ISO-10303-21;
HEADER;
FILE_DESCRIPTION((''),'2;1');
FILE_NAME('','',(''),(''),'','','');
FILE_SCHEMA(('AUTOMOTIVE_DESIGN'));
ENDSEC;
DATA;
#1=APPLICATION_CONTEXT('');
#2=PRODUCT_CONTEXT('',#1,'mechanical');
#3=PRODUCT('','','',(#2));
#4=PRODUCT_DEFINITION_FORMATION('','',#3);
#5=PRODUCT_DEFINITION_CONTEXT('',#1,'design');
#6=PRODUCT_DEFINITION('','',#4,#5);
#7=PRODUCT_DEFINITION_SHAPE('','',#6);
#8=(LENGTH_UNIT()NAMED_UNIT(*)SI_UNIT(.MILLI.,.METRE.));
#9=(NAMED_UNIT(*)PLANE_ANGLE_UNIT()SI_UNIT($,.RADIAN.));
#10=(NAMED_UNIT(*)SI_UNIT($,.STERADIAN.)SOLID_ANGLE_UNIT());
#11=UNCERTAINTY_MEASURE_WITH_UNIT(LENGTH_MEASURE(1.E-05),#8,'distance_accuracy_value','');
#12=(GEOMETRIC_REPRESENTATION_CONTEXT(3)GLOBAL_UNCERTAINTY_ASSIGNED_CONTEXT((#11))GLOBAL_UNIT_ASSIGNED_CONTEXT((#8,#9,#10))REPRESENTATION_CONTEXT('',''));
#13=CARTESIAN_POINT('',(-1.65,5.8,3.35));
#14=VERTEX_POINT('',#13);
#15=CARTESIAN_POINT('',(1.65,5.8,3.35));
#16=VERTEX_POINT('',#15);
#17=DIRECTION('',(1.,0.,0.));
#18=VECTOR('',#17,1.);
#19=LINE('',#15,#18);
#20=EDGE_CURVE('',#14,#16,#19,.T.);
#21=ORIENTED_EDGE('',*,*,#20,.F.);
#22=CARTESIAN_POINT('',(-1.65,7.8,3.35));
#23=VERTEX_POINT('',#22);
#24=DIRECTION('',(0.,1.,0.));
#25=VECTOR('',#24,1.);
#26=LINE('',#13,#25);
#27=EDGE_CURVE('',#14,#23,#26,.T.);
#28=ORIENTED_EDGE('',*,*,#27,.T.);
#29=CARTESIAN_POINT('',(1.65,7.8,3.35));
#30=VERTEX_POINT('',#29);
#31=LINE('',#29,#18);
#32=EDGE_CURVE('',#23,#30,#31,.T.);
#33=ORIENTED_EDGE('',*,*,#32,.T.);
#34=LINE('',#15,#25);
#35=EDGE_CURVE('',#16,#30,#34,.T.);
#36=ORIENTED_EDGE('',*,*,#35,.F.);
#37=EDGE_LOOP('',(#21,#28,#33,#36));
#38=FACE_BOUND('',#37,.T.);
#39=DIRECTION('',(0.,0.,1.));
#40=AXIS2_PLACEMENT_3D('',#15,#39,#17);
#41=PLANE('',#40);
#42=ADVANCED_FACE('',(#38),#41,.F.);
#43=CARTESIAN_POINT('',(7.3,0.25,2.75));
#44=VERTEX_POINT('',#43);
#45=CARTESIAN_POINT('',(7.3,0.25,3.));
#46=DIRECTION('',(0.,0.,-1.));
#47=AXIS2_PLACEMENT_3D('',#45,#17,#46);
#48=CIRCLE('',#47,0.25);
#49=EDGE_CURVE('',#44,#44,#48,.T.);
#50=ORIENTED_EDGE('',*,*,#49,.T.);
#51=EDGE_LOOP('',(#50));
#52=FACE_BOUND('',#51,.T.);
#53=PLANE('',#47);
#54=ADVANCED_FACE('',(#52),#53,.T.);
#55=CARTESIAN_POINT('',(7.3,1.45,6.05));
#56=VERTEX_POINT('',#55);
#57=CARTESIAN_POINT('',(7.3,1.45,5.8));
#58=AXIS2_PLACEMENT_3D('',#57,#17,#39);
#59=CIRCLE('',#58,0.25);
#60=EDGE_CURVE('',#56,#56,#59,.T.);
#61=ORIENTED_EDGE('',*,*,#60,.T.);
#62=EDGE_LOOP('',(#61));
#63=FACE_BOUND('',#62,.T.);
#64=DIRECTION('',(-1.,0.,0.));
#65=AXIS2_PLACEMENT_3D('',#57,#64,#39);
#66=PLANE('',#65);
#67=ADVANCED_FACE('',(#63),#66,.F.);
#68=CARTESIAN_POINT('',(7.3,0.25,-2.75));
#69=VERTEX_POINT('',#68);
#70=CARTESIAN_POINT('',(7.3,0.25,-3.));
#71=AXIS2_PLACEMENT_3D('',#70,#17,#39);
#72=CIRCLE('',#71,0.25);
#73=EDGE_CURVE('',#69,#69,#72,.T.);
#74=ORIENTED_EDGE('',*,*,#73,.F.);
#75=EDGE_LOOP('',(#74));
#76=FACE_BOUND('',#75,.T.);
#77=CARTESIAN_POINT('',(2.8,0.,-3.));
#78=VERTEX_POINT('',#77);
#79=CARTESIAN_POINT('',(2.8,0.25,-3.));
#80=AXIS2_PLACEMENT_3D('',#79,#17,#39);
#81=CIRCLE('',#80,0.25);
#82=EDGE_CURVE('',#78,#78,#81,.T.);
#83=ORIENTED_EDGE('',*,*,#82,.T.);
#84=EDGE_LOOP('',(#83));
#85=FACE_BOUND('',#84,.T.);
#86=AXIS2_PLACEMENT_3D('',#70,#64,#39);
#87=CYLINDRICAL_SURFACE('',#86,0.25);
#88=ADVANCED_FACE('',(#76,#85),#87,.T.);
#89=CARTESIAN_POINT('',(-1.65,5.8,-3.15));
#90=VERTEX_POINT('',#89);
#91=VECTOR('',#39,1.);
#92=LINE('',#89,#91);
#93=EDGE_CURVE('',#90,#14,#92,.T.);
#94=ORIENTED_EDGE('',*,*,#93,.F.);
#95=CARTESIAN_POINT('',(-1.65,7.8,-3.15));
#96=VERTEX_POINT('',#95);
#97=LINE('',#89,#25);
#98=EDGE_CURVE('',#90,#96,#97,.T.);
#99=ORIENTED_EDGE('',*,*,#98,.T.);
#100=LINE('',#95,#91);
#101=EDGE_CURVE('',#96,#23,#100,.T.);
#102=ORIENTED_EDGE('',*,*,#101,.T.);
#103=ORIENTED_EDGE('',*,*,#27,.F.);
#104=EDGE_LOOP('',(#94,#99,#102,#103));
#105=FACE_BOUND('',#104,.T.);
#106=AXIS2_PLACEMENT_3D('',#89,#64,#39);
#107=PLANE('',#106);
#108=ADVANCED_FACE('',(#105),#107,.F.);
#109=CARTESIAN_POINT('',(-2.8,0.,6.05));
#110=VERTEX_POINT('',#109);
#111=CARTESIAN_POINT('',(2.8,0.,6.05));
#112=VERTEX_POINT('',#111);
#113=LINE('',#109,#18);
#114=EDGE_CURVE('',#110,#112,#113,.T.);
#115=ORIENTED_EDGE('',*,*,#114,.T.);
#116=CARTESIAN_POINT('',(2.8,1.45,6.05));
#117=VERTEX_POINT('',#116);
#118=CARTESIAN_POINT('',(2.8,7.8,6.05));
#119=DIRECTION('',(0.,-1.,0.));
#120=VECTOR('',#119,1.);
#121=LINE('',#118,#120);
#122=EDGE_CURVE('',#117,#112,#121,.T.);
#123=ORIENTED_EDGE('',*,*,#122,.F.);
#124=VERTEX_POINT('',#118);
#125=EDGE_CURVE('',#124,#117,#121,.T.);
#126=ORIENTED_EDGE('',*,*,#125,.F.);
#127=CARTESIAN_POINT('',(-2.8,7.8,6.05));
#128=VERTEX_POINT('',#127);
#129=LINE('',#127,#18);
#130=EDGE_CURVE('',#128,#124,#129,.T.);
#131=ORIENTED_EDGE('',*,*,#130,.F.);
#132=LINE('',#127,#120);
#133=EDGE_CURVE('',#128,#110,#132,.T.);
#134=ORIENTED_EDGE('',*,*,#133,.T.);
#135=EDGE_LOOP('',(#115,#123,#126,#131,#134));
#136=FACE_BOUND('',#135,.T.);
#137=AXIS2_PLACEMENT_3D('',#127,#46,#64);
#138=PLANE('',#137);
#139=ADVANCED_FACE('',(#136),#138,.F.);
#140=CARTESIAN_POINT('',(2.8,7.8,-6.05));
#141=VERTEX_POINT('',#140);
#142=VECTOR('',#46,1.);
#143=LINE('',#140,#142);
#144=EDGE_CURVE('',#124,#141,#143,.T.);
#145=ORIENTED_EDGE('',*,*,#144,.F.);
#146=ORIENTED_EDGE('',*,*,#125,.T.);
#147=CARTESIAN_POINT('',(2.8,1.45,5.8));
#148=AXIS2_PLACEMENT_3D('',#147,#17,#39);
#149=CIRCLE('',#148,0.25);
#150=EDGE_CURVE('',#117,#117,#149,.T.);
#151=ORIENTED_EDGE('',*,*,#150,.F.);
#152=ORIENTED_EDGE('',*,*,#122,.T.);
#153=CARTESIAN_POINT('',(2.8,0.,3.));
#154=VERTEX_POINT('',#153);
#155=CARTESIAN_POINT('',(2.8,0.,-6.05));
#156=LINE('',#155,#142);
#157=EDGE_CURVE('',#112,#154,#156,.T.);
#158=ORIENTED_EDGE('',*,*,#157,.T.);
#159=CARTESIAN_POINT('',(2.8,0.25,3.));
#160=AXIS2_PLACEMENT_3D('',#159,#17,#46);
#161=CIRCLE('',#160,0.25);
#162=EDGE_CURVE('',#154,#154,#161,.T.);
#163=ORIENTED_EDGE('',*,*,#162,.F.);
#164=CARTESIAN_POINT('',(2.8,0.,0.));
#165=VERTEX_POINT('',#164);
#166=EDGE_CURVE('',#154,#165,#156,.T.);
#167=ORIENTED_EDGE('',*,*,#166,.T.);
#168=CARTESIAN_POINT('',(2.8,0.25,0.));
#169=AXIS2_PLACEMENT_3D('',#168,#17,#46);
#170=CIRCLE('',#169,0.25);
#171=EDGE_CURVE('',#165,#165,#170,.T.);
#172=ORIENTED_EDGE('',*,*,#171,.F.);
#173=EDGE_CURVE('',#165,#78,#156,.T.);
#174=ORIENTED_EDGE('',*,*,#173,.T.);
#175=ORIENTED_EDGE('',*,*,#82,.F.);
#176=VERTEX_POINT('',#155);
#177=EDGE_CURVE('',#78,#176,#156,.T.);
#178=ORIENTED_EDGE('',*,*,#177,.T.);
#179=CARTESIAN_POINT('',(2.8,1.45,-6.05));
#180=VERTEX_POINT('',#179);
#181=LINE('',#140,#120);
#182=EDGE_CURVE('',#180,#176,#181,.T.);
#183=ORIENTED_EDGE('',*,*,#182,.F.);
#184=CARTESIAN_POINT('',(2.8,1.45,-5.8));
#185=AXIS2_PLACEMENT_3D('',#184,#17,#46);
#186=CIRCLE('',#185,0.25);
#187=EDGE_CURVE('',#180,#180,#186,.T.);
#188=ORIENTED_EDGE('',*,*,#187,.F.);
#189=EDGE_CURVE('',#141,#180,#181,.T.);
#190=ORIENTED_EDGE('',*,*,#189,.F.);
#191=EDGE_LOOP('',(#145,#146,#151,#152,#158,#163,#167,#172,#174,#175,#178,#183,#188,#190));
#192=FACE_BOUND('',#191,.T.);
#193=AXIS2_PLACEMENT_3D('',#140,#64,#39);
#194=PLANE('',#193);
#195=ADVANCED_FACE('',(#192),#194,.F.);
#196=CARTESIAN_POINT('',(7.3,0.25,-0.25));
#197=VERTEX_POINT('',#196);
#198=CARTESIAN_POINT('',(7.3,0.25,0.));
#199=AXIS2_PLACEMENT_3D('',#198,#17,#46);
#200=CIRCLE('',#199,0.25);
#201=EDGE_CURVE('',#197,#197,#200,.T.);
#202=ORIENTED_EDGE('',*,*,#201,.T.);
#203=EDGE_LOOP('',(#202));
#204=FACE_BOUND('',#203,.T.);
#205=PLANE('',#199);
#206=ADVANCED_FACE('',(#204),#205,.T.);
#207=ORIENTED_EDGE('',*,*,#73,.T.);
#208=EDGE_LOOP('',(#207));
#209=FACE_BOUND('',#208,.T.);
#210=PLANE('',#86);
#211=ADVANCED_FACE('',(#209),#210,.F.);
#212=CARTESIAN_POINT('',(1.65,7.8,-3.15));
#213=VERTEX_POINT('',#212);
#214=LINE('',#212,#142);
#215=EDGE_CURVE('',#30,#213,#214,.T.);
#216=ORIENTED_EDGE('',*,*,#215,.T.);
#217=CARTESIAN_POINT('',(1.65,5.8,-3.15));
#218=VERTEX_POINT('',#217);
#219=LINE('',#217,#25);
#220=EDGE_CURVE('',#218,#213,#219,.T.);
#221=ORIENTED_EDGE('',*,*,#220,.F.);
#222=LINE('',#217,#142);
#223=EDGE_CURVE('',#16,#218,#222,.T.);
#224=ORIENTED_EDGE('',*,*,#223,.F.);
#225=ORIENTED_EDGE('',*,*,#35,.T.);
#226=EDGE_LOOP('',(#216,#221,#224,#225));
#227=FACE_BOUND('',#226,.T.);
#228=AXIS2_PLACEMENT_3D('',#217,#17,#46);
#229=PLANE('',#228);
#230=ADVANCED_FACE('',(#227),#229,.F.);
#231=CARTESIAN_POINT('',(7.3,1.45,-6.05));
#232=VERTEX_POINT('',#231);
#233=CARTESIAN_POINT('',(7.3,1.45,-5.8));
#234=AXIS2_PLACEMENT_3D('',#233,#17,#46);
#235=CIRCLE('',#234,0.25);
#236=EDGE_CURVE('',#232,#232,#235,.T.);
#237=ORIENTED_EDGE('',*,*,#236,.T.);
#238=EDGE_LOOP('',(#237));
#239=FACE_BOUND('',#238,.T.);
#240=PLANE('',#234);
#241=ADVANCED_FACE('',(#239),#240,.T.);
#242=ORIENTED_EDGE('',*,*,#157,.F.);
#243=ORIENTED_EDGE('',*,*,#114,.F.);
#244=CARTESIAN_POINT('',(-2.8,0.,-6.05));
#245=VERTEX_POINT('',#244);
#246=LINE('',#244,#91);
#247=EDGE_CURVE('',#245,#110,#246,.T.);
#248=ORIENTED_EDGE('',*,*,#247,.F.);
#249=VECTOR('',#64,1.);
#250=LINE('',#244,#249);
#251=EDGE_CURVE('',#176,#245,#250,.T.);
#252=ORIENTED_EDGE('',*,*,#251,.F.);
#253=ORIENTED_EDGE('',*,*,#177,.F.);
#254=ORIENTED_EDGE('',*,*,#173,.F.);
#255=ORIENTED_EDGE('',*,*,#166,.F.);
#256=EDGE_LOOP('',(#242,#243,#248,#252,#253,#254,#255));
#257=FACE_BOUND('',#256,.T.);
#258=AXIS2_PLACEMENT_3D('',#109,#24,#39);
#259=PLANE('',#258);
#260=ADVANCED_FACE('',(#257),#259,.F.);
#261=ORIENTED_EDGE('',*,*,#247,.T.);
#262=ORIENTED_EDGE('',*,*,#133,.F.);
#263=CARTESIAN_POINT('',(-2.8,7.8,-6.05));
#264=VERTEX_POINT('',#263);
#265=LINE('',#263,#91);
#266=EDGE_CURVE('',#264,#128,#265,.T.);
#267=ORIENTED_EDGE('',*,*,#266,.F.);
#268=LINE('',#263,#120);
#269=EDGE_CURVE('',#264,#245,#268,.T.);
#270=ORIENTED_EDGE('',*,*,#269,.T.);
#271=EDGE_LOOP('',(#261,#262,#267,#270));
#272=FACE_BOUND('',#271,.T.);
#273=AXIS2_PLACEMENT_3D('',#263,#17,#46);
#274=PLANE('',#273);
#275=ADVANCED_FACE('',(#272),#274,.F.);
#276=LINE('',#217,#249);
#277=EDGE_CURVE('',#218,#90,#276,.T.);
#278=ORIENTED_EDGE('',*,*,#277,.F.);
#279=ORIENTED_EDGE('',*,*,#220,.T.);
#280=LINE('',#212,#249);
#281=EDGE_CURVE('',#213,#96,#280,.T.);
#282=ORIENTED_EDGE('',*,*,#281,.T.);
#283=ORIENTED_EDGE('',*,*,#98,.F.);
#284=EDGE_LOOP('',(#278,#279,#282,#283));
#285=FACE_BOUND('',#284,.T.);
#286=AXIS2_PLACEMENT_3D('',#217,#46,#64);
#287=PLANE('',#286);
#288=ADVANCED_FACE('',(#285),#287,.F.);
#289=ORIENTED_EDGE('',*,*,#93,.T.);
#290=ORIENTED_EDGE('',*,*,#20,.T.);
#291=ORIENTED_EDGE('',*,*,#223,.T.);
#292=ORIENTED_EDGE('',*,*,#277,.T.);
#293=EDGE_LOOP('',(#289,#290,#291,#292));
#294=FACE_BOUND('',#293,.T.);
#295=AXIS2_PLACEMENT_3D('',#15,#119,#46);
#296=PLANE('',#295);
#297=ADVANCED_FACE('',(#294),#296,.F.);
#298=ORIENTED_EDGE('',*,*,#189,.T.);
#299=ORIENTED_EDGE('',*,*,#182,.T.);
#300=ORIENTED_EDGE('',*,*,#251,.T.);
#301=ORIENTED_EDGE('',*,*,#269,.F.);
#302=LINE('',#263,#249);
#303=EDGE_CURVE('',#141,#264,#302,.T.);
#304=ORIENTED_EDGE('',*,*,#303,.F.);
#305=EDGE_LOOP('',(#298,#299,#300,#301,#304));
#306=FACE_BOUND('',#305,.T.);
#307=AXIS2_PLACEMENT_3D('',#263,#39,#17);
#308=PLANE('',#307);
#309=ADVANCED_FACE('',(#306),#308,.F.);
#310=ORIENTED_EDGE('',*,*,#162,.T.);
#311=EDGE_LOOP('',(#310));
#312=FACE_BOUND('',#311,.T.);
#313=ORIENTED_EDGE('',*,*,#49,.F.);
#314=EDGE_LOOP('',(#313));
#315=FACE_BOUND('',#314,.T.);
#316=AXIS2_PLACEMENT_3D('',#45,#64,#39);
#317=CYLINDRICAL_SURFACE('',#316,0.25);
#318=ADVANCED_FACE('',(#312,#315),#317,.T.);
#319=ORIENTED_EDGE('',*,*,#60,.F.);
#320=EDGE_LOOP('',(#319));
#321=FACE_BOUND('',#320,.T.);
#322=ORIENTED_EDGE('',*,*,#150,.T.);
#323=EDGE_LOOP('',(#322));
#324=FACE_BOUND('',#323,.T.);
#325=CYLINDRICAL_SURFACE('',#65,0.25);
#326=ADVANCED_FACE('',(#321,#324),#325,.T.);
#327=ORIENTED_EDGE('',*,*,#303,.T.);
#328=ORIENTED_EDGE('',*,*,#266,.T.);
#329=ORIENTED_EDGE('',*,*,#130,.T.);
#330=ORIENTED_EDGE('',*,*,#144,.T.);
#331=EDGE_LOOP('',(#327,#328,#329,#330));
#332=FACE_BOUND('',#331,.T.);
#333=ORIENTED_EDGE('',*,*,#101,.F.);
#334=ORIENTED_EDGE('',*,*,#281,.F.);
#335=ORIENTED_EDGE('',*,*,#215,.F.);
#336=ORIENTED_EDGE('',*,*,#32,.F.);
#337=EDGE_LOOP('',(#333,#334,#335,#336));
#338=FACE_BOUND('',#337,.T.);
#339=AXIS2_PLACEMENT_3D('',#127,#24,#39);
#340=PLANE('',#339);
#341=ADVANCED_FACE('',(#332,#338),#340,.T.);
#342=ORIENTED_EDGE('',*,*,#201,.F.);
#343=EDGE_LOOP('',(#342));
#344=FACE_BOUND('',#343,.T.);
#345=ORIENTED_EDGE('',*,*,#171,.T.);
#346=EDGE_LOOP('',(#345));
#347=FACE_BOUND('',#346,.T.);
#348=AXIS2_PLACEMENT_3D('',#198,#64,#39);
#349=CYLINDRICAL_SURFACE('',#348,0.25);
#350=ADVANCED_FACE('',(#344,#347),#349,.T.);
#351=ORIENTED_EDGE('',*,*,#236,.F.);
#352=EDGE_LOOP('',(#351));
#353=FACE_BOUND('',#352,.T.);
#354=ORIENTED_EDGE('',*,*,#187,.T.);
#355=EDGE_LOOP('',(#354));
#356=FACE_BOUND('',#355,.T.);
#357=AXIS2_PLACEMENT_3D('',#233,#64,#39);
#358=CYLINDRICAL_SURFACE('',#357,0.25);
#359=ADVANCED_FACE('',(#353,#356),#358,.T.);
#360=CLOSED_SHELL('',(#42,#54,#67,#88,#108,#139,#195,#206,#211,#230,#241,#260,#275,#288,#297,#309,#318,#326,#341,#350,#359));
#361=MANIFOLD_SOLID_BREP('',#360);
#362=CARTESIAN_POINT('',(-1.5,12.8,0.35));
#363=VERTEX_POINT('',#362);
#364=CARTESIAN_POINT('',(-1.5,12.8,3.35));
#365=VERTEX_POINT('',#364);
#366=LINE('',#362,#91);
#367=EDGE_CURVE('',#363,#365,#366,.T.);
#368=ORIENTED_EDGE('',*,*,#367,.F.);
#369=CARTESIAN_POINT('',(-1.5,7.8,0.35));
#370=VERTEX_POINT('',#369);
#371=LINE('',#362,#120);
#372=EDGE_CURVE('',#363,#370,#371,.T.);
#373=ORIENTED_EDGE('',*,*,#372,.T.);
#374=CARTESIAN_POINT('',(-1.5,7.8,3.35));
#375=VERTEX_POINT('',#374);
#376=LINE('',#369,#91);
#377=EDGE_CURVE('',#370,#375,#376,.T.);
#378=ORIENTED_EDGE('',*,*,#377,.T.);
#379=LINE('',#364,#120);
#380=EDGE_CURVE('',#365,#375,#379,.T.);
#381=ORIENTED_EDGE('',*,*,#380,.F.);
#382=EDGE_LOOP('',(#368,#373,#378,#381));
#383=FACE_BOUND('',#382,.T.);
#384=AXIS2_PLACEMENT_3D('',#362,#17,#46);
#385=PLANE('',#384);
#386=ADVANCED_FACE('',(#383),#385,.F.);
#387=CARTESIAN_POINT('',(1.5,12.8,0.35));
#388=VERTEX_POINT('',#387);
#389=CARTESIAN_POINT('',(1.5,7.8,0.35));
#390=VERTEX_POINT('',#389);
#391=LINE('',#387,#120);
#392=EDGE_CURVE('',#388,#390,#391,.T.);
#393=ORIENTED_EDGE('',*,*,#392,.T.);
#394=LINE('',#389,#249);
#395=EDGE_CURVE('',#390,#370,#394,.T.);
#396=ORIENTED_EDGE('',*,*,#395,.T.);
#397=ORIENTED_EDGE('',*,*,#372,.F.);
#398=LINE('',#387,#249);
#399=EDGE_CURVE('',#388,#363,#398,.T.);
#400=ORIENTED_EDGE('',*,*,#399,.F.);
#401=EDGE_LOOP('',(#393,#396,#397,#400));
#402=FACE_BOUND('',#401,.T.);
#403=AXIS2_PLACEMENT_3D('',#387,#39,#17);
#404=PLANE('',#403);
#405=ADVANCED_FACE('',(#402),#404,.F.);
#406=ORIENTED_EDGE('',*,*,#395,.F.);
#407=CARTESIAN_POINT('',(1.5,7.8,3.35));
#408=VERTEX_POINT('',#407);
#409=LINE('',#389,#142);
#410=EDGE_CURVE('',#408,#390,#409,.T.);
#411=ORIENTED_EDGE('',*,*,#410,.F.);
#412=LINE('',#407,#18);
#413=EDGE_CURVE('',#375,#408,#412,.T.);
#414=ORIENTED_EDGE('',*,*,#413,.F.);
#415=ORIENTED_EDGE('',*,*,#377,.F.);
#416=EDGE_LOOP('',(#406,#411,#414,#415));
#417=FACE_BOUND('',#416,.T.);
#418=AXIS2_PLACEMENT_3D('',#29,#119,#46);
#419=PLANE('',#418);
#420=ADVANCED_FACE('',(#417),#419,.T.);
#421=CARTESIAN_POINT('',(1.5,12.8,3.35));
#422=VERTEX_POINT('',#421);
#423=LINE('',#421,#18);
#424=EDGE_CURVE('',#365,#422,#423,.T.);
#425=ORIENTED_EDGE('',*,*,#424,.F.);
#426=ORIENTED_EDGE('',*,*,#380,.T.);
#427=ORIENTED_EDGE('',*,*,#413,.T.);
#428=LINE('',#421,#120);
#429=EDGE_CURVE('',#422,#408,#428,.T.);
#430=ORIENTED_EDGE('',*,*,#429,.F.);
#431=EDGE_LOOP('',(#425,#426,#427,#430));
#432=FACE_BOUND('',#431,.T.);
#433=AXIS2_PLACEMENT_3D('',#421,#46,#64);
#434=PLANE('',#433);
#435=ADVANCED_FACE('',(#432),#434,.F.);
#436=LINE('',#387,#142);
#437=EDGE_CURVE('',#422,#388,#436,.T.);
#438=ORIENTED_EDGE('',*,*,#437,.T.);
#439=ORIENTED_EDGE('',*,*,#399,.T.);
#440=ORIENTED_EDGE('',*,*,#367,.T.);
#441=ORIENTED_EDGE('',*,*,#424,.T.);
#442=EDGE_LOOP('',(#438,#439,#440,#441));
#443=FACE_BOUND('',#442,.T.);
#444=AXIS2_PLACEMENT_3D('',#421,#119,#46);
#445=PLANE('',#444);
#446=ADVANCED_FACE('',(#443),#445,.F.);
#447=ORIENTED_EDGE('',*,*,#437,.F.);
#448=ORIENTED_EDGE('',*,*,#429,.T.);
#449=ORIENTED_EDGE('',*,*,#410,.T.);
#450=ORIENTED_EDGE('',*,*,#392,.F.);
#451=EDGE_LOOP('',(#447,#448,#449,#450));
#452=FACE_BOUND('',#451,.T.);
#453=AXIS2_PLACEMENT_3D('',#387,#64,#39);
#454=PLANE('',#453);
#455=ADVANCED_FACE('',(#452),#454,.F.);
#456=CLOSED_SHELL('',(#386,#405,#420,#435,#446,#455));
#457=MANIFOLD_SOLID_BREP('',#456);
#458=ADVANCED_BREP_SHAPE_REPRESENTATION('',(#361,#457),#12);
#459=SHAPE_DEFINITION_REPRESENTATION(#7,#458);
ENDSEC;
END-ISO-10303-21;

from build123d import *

# Parameters (mm, degrees)
SKETCH_1_W          = 5.6
SKETCH_1_H          = 12.1
EXTRUDE_1_DEPTH     = 7.8
SKETCH_2_W          = 3
SKETCH_2_H          = 3
EXTRUDE_2_DEPTH     = 5
SKETCH_3_R          = 0.25
EXTRUDE_3_DEPTH     = 4.5
SKETCH_5_W          = 3.3
SKETCH_5_H          = 6.5
CUT_EXTRUDE_1_DEPTH = 2


with BuildPart() as part:
    # 草图1 → 拉伸1 (new body)
    with BuildSketch(Plane(origin=(0, 0, 0), x_dir=(1, 0, 0), z_dir=(0, 1, 0))):
        Rectangle(SKETCH_1_W, SKETCH_1_H)
    extrude(amount=EXTRUDE_1_DEPTH)

    # 草图2 → 拉伸2 (add)
    with BuildSketch(Plane(origin=(0, 7.8, 0), x_dir=(-1, 0, 0), z_dir=(0, 1, 0))):
        with Locations((0, 1.85)):
            Rectangle(SKETCH_2_W, SKETCH_2_H)
    extrude(amount=EXTRUDE_2_DEPTH)

    # 草图3 → 拉伸3 (add)
    with BuildSketch(Plane(origin=(2.8, 0, 0), x_dir=(0, 0, -1), z_dir=(1, 0, 0))):
        with Locations(Location((-3, 0.25, 0), (0, 0, 270))):
            Circle(SKETCH_3_R)
        with Locations(Location((0, 0.25, 0), (0, 0, 270))):
            Circle(SKETCH_3_R)
        with Locations(Location((3, 0.25, 0), (0, 0, 180))):
            Circle(SKETCH_3_R)
        with Locations((5.8, 1.45)):
            Circle(SKETCH_3_R)
        with Locations(Location((-5.8, 1.45, 0), (0, 0, 180))):
            Circle(SKETCH_3_R)
    extrude(amount=EXTRUDE_3_DEPTH)

    # 草图5 → 切除-拉伸1 (cut)
    with BuildSketch(Plane(origin=(0, 7.8, 0), x_dir=(-1, 0, 0), z_dir=(0, 1, 0))):
        with Locations((0, 0.1)):
            Rectangle(SKETCH_5_W, SKETCH_5_H)
    extrude(amount=-CUT_EXTRUDE_1_DEPTH, mode=Mode.SUBTRACT)


with BuildPart() as cut_extrude_1_piece_1:
    # of the separate pieces the step leaves, piece 1, a body of its own (cut_extrude_1_pieces)
    add(part.part.solids().sort_by_distance((-2.8, 0, -6.05))[0])


with BuildPart() as cut_extrude_1_piece_2:
    # of the separate pieces the step leaves, piece 2, a body of its own (cut_extrude_1_pieces)
    add(part.part.solids().sort_by_distance((-1.5, 12.8, 3.35))[0])


solid = Compound([cut_extrude_1_piece_1.part, cut_extrude_1_piece_2.part])
